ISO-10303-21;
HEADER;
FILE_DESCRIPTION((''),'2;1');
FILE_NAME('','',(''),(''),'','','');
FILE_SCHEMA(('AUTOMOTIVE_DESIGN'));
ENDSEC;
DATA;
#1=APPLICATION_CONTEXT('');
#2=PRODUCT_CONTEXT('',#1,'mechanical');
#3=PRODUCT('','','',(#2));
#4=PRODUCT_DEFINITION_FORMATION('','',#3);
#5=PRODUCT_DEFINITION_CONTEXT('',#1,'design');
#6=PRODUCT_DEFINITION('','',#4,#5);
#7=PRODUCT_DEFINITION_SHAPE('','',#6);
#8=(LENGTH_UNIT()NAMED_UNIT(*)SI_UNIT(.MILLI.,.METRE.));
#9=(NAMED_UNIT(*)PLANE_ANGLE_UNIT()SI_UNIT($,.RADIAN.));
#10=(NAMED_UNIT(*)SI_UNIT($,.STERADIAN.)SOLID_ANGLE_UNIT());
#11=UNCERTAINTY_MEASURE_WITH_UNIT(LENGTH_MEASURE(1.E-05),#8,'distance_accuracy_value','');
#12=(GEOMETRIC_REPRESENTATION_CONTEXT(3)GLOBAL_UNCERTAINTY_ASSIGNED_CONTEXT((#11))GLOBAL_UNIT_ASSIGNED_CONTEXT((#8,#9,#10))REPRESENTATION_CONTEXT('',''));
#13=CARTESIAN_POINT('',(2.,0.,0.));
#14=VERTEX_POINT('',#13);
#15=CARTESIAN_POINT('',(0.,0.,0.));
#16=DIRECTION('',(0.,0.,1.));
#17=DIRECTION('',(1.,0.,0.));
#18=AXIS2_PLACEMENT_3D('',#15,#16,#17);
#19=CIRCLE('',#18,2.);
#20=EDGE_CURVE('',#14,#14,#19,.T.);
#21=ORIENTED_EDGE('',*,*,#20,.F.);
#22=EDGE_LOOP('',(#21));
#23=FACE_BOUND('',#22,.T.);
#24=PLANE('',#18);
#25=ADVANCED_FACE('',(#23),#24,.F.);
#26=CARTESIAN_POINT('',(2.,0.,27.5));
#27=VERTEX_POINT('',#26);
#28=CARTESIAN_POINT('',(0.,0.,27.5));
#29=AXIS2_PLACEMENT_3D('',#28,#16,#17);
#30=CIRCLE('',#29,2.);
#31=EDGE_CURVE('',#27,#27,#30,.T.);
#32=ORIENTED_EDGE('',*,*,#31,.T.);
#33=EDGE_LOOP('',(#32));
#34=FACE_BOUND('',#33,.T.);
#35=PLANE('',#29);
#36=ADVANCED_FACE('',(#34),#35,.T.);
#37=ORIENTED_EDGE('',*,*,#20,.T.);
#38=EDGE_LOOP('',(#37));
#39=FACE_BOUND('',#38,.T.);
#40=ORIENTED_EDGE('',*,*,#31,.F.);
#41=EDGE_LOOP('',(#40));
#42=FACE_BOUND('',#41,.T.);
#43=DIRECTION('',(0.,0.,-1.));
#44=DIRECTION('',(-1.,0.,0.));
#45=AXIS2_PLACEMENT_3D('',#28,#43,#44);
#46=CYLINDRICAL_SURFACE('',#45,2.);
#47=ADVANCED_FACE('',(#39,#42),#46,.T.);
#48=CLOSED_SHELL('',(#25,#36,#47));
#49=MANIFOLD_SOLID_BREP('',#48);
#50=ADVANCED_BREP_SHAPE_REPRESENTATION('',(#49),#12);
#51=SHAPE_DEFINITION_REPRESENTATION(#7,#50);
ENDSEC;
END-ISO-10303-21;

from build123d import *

# Parameters (mm, degrees)
SKETCH1_R           = 2
BOSS_EXTRUDE1_DEPTH = 27.5


with BuildPart() as part:
    # Sketch1 → Boss-Extrude1 (new body)
    with BuildSketch(Plane.XY):
        Circle(SKETCH1_R)
    extrude(amount=BOSS_EXTRUDE1_DEPTH)


solid = part.part
